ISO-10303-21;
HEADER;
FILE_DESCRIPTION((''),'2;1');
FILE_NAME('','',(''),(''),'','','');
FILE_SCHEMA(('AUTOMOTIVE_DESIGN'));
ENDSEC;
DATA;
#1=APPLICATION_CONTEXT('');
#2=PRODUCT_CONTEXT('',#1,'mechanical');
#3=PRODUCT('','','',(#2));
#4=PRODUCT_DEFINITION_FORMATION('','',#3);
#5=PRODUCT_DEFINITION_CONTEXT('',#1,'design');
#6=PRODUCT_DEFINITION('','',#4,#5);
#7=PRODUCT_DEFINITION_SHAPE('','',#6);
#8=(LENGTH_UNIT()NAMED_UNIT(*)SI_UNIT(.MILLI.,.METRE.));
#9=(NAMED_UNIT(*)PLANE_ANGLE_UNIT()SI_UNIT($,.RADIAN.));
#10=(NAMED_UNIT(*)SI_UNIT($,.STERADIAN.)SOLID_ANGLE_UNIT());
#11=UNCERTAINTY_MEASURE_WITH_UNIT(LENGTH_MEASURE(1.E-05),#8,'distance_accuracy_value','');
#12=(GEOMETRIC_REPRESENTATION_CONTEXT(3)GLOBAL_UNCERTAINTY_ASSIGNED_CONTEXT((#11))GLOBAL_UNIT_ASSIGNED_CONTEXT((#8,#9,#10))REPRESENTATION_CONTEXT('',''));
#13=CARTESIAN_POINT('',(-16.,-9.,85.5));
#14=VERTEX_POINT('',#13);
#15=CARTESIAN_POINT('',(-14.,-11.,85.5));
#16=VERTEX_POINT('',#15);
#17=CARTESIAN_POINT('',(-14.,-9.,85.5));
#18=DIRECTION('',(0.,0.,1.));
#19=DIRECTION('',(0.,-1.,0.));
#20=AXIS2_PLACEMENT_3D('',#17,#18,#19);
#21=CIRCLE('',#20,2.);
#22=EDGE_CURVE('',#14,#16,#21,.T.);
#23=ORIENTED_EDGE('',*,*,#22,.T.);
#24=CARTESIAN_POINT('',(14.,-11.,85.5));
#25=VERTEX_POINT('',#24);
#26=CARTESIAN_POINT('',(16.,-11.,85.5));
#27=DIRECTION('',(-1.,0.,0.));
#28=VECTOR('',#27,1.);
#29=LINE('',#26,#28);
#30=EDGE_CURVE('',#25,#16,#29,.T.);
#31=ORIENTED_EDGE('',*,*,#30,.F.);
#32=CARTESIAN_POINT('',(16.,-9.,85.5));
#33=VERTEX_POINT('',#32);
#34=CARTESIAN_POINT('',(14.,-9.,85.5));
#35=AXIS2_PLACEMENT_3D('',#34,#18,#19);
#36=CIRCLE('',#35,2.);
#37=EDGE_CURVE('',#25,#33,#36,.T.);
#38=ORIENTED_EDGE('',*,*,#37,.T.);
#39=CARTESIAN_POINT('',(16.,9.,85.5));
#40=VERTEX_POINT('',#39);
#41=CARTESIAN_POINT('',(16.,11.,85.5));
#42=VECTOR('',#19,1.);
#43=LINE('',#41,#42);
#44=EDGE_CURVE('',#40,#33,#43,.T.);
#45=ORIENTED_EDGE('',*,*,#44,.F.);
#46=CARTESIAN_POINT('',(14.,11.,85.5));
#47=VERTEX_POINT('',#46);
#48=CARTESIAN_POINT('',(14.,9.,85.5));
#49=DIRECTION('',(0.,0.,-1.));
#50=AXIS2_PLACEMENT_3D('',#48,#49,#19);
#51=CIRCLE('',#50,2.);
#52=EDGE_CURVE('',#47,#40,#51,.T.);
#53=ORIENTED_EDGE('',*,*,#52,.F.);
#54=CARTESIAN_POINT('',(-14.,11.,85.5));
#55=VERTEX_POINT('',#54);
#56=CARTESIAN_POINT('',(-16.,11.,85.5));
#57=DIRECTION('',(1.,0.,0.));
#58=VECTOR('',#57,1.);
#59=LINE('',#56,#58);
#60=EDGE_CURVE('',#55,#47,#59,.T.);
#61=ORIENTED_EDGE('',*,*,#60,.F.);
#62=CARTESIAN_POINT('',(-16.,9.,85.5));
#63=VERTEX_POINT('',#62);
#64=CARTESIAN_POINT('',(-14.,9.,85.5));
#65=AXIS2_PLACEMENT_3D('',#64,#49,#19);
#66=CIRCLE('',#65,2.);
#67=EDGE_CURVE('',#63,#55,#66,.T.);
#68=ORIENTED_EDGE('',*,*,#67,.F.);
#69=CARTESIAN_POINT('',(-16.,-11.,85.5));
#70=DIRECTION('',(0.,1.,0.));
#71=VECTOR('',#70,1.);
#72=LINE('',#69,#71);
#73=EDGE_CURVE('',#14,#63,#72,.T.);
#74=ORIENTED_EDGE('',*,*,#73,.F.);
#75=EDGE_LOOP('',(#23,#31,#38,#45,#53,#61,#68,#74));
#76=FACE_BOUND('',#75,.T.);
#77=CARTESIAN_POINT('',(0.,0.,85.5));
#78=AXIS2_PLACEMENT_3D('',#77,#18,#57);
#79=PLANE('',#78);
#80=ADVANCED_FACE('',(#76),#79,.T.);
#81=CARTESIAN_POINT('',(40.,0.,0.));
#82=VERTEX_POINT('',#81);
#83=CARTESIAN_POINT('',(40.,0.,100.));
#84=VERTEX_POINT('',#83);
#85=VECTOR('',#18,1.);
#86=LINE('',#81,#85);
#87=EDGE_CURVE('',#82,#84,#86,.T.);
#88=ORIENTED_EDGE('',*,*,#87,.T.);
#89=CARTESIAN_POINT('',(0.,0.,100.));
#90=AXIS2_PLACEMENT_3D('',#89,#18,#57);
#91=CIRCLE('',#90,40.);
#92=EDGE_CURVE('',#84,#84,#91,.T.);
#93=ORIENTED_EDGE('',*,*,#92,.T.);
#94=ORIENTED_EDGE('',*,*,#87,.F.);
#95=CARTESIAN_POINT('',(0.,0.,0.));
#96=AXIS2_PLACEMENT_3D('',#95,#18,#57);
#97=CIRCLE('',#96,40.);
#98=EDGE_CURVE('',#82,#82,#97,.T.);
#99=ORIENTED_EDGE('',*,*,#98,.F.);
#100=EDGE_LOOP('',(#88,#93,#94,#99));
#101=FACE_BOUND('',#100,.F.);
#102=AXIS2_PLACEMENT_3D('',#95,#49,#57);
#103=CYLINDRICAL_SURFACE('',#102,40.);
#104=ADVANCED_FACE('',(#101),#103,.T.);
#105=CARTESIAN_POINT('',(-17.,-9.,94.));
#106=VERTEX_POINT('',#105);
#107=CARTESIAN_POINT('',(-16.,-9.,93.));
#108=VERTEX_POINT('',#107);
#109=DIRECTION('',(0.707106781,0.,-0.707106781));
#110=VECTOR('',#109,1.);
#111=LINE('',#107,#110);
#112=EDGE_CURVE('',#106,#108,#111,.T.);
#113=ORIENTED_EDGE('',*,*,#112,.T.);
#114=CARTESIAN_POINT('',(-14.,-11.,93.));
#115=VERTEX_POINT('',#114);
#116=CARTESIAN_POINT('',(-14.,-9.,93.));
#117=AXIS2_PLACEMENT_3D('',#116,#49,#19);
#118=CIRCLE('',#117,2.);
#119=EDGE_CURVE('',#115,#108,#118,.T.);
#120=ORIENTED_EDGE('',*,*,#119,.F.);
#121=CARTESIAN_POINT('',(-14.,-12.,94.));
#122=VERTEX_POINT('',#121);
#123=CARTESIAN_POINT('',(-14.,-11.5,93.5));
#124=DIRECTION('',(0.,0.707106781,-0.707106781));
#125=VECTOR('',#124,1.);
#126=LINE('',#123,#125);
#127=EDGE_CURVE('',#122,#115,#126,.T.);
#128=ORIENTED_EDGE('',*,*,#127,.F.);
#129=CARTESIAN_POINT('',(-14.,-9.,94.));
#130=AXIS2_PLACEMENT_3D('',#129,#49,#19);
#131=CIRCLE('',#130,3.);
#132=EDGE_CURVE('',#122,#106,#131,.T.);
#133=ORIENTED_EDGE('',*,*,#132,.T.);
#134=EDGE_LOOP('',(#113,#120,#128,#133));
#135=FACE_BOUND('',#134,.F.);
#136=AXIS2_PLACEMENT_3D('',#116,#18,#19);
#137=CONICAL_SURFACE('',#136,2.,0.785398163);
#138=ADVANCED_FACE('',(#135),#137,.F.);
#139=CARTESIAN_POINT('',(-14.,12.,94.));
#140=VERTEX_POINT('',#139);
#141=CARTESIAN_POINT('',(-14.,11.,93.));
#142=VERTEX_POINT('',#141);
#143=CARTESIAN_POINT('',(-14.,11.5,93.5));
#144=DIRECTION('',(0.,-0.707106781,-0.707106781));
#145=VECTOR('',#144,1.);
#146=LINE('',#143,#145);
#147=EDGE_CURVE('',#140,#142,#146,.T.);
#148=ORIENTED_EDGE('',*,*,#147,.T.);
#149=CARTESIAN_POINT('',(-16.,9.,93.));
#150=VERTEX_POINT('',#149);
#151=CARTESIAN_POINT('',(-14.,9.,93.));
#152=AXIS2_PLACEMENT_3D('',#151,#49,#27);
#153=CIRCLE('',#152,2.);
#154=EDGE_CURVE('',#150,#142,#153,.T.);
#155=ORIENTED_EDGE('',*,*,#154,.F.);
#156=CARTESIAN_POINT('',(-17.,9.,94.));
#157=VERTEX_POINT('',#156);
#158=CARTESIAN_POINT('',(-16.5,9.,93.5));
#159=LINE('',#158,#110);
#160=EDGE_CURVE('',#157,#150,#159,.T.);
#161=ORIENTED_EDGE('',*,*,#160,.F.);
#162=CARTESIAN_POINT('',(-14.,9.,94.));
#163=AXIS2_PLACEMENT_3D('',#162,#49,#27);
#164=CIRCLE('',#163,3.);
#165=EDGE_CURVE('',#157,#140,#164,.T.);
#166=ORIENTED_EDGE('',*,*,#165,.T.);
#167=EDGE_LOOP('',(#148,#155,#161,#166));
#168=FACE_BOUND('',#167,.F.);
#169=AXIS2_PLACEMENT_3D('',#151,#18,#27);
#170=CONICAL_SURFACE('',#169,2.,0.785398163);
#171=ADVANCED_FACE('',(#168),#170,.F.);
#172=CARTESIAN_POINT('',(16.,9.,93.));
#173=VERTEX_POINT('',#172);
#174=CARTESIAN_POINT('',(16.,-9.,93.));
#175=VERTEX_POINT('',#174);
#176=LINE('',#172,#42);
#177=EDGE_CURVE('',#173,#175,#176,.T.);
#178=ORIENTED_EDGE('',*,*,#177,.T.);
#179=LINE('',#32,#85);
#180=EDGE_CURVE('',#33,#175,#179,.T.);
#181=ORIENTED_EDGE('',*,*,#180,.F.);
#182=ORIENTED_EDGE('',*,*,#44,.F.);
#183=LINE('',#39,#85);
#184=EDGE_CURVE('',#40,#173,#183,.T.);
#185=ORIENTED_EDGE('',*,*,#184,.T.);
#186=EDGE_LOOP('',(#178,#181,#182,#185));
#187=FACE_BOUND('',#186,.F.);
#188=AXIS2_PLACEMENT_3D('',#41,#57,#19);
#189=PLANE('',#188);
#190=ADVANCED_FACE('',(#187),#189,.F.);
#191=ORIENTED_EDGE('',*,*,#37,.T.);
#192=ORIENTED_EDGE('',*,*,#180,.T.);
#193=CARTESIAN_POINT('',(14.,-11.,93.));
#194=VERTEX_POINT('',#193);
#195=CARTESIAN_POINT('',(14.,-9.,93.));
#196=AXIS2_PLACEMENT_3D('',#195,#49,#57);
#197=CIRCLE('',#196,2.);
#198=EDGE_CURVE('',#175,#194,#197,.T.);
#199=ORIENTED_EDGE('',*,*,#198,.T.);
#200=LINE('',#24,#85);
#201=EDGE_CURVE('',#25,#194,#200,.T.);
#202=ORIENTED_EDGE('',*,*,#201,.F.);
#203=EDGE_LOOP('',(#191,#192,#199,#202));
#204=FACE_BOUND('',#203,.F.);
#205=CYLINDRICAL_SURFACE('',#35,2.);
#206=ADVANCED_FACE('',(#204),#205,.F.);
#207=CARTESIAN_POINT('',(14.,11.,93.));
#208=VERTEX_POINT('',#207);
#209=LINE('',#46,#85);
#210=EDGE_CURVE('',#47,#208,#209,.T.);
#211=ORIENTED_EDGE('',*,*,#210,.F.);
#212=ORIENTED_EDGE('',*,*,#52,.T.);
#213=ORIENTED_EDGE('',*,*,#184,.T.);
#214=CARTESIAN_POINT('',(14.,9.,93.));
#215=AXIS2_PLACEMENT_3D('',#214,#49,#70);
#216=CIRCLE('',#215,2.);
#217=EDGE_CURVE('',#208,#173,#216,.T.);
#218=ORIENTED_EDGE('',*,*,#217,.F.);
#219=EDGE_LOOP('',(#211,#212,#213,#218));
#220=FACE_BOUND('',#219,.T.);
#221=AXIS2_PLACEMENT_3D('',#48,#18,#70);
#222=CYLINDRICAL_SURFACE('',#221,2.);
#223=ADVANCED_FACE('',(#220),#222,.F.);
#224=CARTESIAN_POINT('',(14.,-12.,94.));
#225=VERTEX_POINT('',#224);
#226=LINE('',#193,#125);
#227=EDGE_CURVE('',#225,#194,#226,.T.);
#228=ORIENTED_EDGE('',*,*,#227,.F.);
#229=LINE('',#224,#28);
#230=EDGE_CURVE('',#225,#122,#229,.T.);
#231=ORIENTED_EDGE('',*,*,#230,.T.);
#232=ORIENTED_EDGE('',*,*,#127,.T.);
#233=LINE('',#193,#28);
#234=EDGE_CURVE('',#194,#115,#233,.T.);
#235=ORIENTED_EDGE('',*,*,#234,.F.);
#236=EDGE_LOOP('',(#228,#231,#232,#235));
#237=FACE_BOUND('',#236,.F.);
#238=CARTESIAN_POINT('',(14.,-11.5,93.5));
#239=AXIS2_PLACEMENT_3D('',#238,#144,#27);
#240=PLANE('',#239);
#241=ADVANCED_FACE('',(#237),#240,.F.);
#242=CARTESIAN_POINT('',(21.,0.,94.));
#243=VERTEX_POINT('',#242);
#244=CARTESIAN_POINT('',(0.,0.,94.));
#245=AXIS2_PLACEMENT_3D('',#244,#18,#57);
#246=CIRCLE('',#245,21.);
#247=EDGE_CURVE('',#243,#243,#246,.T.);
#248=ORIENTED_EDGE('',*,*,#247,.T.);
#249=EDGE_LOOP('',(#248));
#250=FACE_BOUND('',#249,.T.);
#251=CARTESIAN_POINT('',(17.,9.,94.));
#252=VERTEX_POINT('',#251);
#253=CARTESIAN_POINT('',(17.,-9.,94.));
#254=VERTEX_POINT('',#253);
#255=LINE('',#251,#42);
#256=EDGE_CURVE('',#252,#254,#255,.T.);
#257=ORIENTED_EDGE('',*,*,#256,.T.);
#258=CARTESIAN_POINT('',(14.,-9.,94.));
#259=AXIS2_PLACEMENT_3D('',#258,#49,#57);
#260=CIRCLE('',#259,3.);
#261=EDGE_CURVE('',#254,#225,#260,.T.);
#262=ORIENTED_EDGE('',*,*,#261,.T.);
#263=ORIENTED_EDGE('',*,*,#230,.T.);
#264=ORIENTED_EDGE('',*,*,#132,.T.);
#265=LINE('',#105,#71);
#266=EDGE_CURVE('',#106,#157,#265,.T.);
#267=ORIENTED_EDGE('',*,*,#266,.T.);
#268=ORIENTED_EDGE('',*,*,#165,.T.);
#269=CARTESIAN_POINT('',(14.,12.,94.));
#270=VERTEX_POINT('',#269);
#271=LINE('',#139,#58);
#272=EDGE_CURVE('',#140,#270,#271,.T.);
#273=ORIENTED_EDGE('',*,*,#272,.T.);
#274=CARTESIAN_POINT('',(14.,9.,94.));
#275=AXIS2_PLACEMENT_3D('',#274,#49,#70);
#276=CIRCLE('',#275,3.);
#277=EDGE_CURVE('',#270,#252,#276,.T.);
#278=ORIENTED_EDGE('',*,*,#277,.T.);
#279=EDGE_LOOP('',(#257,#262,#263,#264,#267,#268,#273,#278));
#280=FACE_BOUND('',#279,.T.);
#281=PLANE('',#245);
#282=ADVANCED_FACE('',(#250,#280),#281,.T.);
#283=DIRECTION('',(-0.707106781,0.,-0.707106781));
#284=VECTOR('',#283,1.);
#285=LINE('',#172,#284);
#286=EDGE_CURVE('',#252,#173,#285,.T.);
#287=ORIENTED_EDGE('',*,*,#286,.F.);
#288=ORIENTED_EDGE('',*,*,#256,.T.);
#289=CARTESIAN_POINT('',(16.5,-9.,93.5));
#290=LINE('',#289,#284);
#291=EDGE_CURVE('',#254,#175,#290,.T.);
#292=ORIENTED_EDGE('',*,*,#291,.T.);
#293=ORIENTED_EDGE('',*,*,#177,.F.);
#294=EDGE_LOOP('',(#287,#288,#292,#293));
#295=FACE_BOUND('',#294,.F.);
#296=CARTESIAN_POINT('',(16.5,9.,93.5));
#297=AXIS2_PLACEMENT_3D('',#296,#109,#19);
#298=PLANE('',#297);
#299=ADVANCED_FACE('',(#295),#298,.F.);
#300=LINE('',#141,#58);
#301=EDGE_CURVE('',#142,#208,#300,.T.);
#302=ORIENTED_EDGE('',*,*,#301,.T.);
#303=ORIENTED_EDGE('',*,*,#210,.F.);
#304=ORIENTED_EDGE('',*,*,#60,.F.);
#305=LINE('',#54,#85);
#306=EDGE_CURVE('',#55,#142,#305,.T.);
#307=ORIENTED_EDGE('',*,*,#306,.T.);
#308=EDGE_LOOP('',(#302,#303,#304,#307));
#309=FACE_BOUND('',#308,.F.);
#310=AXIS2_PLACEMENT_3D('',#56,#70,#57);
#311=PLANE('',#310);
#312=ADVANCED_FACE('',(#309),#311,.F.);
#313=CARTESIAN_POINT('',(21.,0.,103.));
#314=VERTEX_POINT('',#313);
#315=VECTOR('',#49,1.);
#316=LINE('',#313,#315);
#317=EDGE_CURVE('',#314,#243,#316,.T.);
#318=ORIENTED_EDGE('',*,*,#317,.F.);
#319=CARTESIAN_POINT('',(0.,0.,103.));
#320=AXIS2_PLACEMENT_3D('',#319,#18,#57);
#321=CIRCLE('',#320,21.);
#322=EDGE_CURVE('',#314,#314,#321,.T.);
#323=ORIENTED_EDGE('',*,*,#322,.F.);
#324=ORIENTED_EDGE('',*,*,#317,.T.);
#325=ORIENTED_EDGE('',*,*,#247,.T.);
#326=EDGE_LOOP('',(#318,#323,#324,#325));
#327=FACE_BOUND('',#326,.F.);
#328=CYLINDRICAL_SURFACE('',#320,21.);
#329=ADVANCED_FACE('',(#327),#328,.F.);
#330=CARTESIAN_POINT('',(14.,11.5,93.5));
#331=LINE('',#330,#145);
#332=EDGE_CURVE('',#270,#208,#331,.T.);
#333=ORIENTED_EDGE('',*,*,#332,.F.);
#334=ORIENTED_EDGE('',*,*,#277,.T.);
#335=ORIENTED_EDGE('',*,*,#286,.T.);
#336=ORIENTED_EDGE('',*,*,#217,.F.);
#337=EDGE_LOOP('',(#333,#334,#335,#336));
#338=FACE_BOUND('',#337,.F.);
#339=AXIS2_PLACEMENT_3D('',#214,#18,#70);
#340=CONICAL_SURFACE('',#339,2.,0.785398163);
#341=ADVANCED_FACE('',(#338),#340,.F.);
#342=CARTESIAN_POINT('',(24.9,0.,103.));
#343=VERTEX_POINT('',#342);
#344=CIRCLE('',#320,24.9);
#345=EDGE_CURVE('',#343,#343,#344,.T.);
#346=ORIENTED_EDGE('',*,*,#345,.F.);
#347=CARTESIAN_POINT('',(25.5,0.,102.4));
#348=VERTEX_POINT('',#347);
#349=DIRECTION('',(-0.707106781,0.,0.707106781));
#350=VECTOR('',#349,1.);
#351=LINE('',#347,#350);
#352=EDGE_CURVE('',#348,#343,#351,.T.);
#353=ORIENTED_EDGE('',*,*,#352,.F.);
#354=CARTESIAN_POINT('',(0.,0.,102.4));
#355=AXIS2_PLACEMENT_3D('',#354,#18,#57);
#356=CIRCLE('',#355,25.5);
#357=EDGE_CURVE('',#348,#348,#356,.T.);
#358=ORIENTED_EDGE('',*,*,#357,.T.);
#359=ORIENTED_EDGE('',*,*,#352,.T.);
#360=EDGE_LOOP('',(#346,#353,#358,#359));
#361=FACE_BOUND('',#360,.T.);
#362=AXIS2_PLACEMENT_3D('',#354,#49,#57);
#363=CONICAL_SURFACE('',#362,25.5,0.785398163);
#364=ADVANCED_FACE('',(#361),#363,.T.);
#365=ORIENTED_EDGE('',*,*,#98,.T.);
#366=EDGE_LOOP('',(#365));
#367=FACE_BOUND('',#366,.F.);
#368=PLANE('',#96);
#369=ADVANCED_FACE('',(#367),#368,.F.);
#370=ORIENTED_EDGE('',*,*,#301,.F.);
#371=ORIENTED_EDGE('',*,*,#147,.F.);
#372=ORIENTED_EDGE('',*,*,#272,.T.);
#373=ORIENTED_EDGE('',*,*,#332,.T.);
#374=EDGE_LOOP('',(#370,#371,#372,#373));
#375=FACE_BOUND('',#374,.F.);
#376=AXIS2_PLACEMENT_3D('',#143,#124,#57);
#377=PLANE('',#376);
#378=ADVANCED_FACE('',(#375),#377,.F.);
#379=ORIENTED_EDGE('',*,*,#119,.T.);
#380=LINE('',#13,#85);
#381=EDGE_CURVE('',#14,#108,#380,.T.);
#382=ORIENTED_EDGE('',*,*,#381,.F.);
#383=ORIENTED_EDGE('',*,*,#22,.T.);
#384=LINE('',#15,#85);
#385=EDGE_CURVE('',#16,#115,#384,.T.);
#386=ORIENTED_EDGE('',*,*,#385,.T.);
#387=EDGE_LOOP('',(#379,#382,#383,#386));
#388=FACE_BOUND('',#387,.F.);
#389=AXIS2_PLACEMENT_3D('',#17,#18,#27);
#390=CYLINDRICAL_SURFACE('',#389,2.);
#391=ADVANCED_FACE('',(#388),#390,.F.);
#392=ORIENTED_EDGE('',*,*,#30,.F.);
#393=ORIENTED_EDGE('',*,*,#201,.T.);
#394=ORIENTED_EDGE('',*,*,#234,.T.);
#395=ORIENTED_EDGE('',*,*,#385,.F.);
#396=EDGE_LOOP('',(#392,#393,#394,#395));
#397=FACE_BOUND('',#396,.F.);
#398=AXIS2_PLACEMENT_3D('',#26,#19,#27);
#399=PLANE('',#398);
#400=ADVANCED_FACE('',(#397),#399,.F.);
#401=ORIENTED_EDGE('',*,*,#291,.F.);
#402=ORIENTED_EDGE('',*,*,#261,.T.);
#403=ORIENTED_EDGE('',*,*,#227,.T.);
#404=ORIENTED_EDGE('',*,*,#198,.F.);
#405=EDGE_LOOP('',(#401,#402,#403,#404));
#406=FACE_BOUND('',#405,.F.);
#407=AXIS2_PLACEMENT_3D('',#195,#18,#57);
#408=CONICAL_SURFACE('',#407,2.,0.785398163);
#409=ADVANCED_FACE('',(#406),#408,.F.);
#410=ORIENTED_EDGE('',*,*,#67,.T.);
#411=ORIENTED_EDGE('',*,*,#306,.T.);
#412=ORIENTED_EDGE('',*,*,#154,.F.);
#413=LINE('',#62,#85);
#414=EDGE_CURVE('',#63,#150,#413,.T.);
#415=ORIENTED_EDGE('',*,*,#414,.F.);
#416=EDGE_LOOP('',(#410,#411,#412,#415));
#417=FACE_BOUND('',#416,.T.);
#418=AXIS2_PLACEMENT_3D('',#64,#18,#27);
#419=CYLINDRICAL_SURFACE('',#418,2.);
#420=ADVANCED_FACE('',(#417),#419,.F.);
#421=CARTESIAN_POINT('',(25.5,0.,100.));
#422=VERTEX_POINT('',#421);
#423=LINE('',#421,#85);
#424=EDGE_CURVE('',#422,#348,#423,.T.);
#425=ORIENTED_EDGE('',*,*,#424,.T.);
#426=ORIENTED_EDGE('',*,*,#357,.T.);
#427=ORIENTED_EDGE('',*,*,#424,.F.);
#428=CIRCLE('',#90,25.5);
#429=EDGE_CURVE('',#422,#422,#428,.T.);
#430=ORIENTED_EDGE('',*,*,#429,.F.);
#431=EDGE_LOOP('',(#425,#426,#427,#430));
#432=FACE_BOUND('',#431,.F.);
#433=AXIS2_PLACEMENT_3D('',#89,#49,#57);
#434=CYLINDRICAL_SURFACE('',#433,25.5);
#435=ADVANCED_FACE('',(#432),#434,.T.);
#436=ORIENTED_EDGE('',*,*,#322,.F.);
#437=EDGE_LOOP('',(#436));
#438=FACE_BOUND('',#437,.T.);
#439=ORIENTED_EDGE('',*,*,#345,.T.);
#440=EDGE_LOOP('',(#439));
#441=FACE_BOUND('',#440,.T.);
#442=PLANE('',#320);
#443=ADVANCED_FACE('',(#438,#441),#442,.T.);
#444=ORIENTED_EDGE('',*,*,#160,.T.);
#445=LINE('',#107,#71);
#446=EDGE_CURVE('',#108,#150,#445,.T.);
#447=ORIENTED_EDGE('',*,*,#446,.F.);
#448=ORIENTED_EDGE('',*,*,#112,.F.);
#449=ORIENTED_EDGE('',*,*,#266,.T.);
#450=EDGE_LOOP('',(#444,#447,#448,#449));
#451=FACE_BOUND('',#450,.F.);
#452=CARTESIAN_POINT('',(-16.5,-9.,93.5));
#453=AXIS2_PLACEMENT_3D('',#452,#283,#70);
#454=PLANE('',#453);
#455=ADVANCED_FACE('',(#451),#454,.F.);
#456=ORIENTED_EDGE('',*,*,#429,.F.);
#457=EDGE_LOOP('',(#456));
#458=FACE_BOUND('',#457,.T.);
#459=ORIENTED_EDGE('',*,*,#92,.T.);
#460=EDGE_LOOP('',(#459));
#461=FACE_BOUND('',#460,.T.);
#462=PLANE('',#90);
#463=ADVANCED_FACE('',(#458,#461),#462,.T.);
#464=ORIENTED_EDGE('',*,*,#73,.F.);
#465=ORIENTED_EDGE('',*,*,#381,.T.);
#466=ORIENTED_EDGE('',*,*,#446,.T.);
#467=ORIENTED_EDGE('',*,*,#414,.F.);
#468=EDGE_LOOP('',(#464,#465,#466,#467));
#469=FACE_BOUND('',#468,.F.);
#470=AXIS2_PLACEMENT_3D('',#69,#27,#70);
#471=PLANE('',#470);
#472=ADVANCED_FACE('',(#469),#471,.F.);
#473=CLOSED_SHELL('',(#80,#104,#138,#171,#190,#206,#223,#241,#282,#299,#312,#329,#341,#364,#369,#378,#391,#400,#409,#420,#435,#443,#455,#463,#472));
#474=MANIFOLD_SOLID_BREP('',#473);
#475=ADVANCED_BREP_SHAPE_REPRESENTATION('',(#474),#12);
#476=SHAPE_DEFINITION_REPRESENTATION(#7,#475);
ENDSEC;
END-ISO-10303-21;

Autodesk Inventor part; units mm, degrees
ref_plane "YZ Plane" through (0, 0, 0) normal (1, 0, 0) x (0, 1, 0)
ref_plane "XZ Plane" through (0, 0, 0) normal (0, 1, 0) x (-1, 0, 0)
ref_plane "XY Plane" through (0, 0, 0) normal (0, 0, 1) x (1, 0, 0)
sketch "Sketch1" plane through (0, 0, 0) normal (0, 0, 1) x (1, 0, 0)
  circle A0 centre (0, 0) radius 40
  dimension "d0" = 80
extrude "Extrusion1" add sketch "Sketch1" along normal blind 100
sketch "Sketch2" plane through (0, 0, 100) normal (0, 0, 1) x (1, 0, 0)
  circle A0 centre (0, 0) radius 25.5
  dimension "d3" = 51
extrude "Extrusion2" add sketch "Sketch2" along normal blind 3
chamfer "Chamfer1" distance 0.6 angle 45 1 edges at (-25.5, 0, 103)
sketch "Sketch3" plane through (0, 0, 103) normal (0, 0, 1) x (1, 0, 0)
  circle A0 centre (0, 0) radius 21
  dimension "d9" = 42
extrude "SensorCutout" cut sketch "Sketch3" against normal blind 17.5
thread "Thread1" size "M42x1" class "6H" standard "ANSI Metric M Profile" full length
sketch "Sketch4" plane through (0, 0, 85.5) normal (0, 0, 1) x (1, 0, 0)
  line L0 (-16, 11) -> (16, 11)
  line L1 (16, 11) -> (16, -11)
  line L2 (16, -11) -> (-16, -11)
  line L3 (-16, -11) -> (-16, 11)
  circle A0 centre (0, 0) radius 21 projected
  point P0 (16, 0)
  point P1 (0, 11)
  dimension "d14" = 32
  dimension "d15" = 22
extrude "SensorFrame" add sketch "Sketch4" along normal blind 8.5
fillet "Fillet1" radius 2 4 edges at (-16, 11, 89.75) (-16, -11, 89.75) (16, 11, 89.75) (16, -11, 89.75)
chamfer "Chamfer2" distance 1 angle 45 4 edges at (0, 11, 94) (16, 0, 94) (0, -11, 94) (-16, 0, 94)
properties part number "RisingCam-IMX571"
